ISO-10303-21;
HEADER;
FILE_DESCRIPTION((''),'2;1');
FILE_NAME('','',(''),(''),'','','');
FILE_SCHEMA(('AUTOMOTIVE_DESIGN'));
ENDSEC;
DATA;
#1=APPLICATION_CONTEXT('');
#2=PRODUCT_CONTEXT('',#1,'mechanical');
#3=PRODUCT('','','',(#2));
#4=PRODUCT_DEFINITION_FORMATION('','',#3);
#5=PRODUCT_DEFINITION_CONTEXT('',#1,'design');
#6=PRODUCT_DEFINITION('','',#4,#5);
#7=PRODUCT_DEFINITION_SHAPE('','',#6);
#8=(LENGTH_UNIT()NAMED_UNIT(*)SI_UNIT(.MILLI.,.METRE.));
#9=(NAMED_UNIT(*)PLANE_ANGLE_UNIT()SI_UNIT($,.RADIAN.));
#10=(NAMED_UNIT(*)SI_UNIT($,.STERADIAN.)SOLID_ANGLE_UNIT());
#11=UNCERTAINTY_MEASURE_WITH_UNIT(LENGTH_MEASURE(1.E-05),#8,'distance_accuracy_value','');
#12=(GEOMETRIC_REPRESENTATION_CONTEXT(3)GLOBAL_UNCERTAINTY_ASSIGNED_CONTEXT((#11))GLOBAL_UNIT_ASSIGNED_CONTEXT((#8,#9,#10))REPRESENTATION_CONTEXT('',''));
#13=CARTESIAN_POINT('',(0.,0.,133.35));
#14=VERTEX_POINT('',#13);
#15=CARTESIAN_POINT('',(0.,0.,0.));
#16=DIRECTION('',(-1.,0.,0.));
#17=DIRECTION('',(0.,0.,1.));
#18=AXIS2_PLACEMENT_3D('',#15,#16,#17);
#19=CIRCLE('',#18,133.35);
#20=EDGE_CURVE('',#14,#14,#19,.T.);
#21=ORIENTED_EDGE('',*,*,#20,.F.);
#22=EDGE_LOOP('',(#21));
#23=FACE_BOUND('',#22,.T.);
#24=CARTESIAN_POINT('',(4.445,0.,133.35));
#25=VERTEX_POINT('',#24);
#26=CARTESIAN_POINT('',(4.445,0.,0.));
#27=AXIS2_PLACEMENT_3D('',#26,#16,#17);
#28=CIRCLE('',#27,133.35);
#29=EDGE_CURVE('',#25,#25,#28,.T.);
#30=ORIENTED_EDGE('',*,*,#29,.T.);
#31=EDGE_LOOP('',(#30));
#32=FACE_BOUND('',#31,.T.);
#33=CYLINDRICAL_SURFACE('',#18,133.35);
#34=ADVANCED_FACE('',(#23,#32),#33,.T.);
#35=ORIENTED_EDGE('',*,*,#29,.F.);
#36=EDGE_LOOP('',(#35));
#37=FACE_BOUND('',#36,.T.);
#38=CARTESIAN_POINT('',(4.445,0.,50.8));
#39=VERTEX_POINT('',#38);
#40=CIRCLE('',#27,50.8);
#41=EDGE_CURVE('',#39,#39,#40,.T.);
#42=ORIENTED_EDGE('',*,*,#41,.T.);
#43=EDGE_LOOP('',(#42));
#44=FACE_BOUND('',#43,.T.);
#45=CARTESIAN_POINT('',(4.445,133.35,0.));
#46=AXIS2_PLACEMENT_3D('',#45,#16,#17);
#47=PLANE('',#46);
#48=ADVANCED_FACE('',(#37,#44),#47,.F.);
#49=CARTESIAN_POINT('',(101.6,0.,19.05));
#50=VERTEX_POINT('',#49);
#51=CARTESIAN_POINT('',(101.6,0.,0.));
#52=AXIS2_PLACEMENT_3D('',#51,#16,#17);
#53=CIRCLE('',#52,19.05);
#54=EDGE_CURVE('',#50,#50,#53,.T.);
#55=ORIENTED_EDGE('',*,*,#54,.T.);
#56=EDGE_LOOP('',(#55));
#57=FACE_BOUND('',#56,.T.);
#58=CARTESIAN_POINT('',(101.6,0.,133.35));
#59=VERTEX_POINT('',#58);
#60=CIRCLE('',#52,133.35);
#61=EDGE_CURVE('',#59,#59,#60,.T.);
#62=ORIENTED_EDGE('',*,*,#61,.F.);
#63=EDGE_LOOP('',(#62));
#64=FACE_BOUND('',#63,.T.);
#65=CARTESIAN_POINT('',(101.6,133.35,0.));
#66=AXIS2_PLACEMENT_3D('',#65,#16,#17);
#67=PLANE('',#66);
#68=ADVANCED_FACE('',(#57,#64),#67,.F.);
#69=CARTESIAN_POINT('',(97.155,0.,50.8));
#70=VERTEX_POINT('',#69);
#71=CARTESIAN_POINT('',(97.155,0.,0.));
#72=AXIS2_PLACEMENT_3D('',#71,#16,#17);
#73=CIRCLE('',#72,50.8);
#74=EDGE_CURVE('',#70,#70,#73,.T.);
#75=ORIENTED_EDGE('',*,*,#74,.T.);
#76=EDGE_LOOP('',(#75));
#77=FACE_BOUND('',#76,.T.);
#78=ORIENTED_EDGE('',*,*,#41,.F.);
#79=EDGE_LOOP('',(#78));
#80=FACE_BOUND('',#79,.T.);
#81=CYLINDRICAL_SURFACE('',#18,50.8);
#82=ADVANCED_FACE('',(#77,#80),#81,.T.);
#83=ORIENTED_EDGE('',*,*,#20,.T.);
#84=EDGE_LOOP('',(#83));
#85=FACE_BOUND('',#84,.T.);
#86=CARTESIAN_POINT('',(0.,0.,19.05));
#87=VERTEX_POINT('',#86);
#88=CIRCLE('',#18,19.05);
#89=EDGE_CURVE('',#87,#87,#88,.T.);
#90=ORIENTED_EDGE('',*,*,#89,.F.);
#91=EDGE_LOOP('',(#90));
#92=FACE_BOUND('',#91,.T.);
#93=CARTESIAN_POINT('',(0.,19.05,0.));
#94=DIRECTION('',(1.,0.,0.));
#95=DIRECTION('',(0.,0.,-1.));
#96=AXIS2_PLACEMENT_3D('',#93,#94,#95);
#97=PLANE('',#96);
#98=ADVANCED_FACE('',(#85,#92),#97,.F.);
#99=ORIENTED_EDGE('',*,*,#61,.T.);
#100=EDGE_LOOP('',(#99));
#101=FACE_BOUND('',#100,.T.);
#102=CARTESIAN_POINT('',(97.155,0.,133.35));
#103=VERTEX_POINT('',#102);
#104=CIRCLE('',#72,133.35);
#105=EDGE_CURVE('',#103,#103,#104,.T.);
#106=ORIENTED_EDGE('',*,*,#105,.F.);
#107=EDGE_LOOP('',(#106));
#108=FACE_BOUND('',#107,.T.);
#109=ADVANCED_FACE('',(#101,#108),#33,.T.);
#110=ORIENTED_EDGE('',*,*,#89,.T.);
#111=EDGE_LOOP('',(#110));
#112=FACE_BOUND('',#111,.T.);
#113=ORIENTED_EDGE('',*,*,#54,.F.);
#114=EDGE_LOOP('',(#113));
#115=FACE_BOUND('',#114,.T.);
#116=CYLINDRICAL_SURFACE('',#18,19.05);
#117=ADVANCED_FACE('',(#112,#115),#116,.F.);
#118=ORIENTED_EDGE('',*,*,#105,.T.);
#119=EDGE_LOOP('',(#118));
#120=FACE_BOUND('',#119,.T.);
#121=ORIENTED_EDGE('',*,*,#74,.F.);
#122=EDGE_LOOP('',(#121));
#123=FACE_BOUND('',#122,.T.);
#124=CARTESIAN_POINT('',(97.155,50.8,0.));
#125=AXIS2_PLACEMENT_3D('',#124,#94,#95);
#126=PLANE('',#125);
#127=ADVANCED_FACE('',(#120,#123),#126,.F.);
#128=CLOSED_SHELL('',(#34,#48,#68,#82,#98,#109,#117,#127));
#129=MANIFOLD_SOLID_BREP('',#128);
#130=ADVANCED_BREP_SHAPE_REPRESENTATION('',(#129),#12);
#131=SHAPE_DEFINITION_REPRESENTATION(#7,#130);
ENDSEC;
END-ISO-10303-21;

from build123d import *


with BuildPart() as part:
    # Sketch1 → Revolve1 (revolve)
    with BuildSketch(Plane.XY, mode=Mode.PRIVATE) as revolve1_sk:
        Polygon((101.6, 19.05), (0, 19.05), (0, 133.35), (4.445, 133.35), (4.445, 50.8), (97.155, 50.8), (97.155, 133.35), (101.6, 133.35), align=None)
    revolve(revolve1_sk.sketch.rotate(Axis((0, 0, 0), (1, 0, 0)), 90), axis=Axis((0, 0, 0), (1, 0, 0)))  # turned: the seam where the file's is


solid = part.part
